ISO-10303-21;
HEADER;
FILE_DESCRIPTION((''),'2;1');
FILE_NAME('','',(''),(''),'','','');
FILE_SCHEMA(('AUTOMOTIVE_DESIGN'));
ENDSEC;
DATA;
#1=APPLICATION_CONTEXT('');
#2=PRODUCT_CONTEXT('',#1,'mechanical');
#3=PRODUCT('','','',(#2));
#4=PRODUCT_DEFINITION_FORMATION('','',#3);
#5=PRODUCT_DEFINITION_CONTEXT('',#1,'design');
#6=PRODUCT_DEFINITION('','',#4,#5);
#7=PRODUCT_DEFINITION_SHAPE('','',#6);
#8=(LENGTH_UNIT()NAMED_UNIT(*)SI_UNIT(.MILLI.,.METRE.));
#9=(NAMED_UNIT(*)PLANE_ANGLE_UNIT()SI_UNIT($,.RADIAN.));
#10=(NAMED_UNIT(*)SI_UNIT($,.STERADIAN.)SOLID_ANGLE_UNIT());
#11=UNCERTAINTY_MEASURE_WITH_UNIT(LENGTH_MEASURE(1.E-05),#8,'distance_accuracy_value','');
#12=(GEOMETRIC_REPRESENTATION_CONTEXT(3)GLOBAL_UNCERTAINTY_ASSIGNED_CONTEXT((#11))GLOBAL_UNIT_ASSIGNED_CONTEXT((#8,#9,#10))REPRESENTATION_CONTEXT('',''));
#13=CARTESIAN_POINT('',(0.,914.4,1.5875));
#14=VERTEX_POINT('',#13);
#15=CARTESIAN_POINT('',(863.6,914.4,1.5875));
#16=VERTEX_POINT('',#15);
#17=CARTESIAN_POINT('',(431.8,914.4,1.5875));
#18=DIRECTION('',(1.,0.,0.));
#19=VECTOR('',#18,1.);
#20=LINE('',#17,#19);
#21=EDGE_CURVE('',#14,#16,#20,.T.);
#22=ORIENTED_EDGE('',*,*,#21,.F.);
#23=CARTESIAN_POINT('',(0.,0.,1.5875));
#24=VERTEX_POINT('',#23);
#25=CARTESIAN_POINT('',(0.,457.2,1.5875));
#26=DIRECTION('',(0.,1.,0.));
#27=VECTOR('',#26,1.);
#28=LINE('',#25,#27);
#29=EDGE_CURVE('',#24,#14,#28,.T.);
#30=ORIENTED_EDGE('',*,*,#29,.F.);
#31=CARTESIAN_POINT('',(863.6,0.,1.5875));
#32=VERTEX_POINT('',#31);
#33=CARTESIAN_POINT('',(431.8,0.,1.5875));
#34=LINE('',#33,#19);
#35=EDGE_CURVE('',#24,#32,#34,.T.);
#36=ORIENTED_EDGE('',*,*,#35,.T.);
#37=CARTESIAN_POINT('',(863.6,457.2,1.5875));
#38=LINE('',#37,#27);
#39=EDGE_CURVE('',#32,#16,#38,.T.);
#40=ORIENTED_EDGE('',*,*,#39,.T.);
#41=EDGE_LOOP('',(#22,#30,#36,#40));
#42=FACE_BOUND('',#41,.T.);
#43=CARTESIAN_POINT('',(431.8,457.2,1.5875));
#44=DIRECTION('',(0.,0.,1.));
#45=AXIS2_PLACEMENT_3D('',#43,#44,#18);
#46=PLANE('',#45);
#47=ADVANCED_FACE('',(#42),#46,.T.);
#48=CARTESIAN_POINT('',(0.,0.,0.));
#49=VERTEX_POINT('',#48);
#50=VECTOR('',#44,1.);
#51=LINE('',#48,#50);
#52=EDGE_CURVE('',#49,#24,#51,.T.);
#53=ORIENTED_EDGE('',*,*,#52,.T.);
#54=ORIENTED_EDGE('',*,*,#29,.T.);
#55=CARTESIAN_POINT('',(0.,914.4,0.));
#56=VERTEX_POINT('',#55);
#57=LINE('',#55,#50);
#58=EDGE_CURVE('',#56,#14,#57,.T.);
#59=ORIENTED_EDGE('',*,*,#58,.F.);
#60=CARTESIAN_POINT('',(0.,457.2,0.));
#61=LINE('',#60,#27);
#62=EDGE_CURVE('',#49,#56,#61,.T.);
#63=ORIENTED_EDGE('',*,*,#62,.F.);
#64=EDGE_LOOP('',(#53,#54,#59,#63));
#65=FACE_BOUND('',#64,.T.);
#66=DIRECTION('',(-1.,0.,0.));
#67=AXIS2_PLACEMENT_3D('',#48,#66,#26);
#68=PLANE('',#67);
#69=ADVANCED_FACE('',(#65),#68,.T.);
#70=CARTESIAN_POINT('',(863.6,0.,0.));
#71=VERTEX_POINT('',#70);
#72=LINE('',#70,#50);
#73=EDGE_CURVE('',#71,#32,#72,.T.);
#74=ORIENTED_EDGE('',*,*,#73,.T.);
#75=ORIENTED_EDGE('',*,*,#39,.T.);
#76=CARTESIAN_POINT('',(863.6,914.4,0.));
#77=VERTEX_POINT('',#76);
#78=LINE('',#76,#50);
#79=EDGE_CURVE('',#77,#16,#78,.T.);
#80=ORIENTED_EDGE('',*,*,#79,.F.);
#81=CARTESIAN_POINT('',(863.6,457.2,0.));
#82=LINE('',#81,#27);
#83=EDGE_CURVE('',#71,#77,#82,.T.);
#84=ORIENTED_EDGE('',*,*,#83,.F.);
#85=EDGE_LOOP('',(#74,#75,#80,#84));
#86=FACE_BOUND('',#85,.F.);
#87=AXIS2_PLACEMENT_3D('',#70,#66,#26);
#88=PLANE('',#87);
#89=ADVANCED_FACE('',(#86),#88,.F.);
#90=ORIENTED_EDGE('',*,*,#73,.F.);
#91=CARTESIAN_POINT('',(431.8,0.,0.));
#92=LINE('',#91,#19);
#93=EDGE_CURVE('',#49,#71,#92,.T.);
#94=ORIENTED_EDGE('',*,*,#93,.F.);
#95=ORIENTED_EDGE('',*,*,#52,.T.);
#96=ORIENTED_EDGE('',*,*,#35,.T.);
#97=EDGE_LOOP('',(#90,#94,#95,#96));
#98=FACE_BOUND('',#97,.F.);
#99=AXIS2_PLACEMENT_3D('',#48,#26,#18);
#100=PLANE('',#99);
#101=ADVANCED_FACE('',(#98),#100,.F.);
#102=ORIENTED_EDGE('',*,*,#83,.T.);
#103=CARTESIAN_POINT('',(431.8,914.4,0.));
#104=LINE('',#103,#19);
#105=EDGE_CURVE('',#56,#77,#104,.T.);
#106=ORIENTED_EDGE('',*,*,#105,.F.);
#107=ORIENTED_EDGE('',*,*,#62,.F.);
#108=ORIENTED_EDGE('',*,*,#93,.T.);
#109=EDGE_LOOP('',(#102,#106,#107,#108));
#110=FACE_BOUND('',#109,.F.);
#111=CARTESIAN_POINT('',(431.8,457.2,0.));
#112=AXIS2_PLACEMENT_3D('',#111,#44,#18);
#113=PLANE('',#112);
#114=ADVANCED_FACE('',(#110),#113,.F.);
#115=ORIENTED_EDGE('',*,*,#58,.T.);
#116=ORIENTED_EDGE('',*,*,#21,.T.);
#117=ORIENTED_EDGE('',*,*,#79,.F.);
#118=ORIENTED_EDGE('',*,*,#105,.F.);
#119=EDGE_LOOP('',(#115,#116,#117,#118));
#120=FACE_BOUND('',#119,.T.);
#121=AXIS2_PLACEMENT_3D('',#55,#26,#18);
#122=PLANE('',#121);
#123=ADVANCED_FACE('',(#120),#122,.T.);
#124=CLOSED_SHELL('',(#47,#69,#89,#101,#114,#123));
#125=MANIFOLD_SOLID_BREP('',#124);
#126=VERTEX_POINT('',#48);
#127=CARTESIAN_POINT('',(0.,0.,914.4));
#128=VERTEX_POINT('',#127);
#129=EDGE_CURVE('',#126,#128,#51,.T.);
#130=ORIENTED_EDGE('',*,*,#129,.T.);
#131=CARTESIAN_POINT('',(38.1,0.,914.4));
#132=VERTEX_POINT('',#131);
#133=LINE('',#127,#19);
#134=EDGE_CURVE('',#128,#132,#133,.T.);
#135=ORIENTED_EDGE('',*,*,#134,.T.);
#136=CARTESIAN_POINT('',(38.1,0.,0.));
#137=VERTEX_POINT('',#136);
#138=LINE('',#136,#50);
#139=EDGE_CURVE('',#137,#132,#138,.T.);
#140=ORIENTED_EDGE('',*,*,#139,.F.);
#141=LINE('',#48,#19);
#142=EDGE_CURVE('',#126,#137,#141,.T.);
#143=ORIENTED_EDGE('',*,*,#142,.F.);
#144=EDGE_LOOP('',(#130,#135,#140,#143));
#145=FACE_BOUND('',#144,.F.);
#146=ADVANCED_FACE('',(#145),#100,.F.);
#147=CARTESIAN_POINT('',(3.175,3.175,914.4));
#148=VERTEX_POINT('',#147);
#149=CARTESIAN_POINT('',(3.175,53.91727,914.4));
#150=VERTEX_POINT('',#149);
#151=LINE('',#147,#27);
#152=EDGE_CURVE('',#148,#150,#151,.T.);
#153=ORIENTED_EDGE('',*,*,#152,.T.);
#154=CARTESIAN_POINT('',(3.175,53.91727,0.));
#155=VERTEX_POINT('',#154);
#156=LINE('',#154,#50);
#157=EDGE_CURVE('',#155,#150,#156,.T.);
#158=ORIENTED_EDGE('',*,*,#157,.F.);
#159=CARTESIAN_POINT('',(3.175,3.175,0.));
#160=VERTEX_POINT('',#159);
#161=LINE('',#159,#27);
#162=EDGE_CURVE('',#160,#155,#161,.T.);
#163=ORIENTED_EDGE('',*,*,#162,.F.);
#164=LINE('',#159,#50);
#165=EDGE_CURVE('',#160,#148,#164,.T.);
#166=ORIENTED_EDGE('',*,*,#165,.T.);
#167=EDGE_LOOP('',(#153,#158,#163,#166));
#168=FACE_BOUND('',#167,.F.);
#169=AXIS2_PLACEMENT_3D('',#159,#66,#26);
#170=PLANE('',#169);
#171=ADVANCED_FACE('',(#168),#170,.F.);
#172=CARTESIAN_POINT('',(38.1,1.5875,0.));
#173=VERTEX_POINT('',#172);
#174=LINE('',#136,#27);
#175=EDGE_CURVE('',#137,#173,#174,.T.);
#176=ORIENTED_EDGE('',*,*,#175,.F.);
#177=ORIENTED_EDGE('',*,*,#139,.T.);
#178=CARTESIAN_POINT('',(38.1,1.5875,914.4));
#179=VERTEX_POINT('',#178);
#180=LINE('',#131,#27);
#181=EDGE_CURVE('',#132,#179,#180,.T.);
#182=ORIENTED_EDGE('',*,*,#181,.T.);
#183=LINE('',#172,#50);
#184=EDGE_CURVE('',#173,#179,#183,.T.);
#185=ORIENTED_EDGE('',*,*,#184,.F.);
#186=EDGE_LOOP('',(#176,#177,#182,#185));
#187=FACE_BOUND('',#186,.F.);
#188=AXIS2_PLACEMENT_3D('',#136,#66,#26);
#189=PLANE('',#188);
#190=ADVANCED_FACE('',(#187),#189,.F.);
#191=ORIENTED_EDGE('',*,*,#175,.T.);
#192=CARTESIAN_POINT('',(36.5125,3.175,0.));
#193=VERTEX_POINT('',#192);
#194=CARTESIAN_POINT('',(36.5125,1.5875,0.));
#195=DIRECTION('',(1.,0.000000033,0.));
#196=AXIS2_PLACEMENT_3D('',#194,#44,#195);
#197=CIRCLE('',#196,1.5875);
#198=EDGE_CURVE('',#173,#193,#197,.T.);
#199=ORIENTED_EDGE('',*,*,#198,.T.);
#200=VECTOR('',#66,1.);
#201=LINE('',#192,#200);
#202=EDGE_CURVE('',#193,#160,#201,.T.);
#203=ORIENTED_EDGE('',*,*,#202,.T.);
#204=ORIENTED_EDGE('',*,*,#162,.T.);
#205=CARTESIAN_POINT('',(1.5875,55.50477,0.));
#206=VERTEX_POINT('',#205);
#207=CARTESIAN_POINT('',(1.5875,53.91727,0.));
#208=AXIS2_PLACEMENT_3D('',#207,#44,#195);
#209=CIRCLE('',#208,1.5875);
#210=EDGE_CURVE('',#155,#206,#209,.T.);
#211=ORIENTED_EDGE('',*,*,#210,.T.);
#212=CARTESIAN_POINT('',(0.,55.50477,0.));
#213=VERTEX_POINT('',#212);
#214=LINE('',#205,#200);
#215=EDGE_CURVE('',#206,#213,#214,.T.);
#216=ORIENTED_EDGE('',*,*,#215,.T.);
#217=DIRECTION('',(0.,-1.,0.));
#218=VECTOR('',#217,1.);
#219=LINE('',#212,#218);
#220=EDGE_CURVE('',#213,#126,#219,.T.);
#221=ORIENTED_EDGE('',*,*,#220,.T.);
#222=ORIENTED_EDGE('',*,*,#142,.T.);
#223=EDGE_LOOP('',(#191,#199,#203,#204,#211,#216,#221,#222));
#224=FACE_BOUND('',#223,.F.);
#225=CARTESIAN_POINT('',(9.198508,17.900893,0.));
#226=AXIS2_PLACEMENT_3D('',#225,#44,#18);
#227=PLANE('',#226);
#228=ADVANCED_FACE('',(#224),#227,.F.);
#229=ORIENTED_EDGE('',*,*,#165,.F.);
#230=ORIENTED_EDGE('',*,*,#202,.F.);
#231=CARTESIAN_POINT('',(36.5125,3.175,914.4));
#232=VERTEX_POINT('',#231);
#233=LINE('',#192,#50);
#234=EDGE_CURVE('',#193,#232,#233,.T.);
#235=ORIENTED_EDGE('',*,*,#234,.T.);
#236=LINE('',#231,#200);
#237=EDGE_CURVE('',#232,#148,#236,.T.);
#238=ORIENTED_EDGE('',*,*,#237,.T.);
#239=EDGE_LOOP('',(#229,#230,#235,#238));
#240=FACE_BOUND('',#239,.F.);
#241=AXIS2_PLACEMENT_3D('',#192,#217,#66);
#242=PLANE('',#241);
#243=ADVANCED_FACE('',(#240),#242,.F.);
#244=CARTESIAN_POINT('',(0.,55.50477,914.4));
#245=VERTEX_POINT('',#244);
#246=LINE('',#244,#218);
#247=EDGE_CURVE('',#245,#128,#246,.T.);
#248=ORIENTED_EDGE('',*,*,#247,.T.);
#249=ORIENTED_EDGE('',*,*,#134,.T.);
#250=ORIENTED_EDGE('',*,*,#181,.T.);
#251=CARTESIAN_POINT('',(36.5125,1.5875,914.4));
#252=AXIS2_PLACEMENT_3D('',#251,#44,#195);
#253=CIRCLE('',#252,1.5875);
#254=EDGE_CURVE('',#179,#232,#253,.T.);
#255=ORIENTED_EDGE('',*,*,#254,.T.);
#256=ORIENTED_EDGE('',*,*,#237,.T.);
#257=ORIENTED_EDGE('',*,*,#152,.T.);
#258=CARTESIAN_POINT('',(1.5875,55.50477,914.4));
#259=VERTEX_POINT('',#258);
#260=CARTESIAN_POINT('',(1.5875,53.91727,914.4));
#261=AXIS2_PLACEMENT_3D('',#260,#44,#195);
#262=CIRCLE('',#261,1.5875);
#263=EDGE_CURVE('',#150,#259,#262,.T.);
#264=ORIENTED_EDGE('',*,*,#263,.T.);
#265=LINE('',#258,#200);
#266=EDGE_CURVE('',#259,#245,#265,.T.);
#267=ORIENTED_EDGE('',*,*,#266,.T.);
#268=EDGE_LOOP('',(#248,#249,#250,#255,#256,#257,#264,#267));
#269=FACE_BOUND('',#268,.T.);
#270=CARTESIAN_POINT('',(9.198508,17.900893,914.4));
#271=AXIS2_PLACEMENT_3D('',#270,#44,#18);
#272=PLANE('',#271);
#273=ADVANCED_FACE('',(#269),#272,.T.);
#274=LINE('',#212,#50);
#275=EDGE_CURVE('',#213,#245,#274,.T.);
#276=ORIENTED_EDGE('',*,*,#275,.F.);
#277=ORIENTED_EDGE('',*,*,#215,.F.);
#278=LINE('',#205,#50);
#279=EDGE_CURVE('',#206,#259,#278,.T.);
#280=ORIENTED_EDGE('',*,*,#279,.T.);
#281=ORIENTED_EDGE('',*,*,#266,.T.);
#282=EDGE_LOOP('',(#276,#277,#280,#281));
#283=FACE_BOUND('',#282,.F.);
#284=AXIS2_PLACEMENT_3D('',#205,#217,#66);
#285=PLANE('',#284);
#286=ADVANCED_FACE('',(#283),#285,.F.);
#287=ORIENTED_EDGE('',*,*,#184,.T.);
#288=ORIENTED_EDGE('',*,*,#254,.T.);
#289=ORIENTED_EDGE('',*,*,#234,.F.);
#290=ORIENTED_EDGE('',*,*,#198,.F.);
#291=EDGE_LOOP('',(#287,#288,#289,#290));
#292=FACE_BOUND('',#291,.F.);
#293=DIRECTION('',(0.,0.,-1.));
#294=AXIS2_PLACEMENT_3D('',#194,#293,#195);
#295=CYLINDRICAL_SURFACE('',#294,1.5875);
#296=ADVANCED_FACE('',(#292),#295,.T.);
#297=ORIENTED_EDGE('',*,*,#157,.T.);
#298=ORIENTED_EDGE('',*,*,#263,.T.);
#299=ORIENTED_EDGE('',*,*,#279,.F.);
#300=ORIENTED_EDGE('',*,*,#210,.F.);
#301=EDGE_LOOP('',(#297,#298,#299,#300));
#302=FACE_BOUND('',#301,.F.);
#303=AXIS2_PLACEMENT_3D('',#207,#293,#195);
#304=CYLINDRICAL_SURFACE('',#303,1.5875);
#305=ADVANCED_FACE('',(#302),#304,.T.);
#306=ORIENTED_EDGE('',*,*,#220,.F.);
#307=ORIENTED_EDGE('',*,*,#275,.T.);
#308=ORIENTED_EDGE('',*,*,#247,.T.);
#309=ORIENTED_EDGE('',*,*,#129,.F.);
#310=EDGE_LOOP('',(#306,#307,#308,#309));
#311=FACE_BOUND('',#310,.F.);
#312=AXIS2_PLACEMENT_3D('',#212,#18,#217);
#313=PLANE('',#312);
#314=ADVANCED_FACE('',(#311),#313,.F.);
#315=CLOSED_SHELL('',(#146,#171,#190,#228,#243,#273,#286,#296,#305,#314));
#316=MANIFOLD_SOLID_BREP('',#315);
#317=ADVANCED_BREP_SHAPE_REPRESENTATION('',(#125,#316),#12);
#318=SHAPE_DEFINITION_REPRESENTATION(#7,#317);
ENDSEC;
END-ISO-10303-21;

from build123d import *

# Parameters (mm, degrees)
F1_DEPTH = 914.4
F2_W     = 863.6
F2_H     = 914.4
F3_DEPTH = 1.5875


with BuildPart() as f1:
    # F0 (on Top) → F1 (new body)
    with BuildSketch(Plane.XY):
        with BuildLine():
            Line((0, 55.50477), (0, 0))
            Line((0, 0), (38.1, 0))
            Line((38.1, 0), (38.1, 1.5875))
            ThreePointArc((38.1, 1.5875), (37.635032, 2.710032), (36.5125, 3.175))
            Line((36.5125, 3.175), (3.175, 3.175))
            Line((3.175, 3.175), (3.175, 53.91727))
            ThreePointArc((3.175, 53.91727), (2.710032, 55.039802), (1.5875, 55.50477))
            Line((1.5875, 55.50477), (0, 55.50477))
        make_face()
    extrude(amount=F1_DEPTH)


with BuildPart() as f3:
    # F2 (on Top) → F3 (new body)
    with BuildSketch(Plane.XY):
        with Locations((431.8, 457.2)):
            Rectangle(F2_W, F2_H)
    extrude(amount=F3_DEPTH)


solid = Compound([f1.part, f3.part])
